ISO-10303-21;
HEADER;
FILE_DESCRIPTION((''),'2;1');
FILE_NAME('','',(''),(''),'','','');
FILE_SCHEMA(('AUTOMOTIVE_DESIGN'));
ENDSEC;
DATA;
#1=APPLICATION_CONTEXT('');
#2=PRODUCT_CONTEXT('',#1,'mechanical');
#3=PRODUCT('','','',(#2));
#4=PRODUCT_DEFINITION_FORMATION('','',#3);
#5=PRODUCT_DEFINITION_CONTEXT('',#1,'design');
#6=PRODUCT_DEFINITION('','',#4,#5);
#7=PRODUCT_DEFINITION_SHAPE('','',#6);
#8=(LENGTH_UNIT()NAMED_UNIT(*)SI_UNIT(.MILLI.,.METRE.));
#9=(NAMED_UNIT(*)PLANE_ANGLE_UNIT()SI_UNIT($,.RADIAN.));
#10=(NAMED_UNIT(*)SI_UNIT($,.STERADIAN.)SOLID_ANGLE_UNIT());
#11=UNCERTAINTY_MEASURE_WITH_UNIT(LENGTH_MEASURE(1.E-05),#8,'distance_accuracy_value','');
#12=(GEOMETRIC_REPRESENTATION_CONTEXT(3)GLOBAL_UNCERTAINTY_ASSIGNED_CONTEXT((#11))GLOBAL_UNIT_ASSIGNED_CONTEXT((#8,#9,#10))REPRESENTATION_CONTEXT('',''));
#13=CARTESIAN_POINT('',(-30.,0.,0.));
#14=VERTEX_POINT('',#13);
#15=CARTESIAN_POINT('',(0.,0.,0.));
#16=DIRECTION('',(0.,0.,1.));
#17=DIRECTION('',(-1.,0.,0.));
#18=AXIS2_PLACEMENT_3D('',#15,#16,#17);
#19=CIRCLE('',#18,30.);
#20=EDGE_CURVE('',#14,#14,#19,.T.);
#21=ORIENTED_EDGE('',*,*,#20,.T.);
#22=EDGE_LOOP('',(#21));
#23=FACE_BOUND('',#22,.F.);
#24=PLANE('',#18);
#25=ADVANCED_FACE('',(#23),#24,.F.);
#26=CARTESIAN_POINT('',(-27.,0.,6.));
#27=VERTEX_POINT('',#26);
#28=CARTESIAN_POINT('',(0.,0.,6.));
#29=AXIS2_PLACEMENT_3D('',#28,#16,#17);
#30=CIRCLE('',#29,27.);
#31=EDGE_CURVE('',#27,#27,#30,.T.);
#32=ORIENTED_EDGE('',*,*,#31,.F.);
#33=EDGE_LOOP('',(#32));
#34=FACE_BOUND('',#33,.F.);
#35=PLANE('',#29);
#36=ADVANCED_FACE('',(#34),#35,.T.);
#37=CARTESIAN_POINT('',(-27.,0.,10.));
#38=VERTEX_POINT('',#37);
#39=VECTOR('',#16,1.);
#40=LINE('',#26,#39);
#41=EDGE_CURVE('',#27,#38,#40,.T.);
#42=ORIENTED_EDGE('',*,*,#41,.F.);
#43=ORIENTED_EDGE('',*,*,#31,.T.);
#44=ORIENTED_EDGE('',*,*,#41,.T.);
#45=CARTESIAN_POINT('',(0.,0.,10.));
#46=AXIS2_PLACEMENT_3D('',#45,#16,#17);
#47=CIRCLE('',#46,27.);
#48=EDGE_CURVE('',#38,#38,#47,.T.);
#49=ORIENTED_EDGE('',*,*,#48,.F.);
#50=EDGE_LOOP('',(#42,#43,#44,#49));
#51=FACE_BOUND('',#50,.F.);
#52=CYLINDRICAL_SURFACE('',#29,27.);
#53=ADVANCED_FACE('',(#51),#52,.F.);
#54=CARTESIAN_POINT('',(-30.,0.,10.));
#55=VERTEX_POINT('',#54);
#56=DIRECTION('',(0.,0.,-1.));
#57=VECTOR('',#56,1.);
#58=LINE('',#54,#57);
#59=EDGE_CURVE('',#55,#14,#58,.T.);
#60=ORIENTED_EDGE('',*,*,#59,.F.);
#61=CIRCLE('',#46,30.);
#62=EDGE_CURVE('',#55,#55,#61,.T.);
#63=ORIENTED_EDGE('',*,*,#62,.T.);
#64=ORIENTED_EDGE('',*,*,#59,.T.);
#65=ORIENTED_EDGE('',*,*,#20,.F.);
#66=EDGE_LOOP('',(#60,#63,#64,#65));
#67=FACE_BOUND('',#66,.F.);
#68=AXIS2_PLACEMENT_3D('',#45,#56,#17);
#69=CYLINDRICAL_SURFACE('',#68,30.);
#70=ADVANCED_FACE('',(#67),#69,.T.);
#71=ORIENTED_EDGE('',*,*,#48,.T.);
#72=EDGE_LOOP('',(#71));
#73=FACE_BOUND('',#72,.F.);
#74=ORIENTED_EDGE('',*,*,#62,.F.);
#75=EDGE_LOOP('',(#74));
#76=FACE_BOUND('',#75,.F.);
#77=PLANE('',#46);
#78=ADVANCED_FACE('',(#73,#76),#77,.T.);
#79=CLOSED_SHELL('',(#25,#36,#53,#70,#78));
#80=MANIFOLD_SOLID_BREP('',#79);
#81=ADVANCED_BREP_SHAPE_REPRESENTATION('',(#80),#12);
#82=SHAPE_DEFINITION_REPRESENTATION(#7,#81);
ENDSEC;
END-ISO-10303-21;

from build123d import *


with BuildPart() as part:
    # Sketch → Revolution (revolve)
    with BuildSketch(Plane.XZ):
        Polygon((0, 6), (-27, 6), (-27, 10), (-30, 10), (-30, 0), (0, 0), align=None)
    revolve(axis=Axis((0, 0, 0), (0, 0, 1)))


solid = part.part
